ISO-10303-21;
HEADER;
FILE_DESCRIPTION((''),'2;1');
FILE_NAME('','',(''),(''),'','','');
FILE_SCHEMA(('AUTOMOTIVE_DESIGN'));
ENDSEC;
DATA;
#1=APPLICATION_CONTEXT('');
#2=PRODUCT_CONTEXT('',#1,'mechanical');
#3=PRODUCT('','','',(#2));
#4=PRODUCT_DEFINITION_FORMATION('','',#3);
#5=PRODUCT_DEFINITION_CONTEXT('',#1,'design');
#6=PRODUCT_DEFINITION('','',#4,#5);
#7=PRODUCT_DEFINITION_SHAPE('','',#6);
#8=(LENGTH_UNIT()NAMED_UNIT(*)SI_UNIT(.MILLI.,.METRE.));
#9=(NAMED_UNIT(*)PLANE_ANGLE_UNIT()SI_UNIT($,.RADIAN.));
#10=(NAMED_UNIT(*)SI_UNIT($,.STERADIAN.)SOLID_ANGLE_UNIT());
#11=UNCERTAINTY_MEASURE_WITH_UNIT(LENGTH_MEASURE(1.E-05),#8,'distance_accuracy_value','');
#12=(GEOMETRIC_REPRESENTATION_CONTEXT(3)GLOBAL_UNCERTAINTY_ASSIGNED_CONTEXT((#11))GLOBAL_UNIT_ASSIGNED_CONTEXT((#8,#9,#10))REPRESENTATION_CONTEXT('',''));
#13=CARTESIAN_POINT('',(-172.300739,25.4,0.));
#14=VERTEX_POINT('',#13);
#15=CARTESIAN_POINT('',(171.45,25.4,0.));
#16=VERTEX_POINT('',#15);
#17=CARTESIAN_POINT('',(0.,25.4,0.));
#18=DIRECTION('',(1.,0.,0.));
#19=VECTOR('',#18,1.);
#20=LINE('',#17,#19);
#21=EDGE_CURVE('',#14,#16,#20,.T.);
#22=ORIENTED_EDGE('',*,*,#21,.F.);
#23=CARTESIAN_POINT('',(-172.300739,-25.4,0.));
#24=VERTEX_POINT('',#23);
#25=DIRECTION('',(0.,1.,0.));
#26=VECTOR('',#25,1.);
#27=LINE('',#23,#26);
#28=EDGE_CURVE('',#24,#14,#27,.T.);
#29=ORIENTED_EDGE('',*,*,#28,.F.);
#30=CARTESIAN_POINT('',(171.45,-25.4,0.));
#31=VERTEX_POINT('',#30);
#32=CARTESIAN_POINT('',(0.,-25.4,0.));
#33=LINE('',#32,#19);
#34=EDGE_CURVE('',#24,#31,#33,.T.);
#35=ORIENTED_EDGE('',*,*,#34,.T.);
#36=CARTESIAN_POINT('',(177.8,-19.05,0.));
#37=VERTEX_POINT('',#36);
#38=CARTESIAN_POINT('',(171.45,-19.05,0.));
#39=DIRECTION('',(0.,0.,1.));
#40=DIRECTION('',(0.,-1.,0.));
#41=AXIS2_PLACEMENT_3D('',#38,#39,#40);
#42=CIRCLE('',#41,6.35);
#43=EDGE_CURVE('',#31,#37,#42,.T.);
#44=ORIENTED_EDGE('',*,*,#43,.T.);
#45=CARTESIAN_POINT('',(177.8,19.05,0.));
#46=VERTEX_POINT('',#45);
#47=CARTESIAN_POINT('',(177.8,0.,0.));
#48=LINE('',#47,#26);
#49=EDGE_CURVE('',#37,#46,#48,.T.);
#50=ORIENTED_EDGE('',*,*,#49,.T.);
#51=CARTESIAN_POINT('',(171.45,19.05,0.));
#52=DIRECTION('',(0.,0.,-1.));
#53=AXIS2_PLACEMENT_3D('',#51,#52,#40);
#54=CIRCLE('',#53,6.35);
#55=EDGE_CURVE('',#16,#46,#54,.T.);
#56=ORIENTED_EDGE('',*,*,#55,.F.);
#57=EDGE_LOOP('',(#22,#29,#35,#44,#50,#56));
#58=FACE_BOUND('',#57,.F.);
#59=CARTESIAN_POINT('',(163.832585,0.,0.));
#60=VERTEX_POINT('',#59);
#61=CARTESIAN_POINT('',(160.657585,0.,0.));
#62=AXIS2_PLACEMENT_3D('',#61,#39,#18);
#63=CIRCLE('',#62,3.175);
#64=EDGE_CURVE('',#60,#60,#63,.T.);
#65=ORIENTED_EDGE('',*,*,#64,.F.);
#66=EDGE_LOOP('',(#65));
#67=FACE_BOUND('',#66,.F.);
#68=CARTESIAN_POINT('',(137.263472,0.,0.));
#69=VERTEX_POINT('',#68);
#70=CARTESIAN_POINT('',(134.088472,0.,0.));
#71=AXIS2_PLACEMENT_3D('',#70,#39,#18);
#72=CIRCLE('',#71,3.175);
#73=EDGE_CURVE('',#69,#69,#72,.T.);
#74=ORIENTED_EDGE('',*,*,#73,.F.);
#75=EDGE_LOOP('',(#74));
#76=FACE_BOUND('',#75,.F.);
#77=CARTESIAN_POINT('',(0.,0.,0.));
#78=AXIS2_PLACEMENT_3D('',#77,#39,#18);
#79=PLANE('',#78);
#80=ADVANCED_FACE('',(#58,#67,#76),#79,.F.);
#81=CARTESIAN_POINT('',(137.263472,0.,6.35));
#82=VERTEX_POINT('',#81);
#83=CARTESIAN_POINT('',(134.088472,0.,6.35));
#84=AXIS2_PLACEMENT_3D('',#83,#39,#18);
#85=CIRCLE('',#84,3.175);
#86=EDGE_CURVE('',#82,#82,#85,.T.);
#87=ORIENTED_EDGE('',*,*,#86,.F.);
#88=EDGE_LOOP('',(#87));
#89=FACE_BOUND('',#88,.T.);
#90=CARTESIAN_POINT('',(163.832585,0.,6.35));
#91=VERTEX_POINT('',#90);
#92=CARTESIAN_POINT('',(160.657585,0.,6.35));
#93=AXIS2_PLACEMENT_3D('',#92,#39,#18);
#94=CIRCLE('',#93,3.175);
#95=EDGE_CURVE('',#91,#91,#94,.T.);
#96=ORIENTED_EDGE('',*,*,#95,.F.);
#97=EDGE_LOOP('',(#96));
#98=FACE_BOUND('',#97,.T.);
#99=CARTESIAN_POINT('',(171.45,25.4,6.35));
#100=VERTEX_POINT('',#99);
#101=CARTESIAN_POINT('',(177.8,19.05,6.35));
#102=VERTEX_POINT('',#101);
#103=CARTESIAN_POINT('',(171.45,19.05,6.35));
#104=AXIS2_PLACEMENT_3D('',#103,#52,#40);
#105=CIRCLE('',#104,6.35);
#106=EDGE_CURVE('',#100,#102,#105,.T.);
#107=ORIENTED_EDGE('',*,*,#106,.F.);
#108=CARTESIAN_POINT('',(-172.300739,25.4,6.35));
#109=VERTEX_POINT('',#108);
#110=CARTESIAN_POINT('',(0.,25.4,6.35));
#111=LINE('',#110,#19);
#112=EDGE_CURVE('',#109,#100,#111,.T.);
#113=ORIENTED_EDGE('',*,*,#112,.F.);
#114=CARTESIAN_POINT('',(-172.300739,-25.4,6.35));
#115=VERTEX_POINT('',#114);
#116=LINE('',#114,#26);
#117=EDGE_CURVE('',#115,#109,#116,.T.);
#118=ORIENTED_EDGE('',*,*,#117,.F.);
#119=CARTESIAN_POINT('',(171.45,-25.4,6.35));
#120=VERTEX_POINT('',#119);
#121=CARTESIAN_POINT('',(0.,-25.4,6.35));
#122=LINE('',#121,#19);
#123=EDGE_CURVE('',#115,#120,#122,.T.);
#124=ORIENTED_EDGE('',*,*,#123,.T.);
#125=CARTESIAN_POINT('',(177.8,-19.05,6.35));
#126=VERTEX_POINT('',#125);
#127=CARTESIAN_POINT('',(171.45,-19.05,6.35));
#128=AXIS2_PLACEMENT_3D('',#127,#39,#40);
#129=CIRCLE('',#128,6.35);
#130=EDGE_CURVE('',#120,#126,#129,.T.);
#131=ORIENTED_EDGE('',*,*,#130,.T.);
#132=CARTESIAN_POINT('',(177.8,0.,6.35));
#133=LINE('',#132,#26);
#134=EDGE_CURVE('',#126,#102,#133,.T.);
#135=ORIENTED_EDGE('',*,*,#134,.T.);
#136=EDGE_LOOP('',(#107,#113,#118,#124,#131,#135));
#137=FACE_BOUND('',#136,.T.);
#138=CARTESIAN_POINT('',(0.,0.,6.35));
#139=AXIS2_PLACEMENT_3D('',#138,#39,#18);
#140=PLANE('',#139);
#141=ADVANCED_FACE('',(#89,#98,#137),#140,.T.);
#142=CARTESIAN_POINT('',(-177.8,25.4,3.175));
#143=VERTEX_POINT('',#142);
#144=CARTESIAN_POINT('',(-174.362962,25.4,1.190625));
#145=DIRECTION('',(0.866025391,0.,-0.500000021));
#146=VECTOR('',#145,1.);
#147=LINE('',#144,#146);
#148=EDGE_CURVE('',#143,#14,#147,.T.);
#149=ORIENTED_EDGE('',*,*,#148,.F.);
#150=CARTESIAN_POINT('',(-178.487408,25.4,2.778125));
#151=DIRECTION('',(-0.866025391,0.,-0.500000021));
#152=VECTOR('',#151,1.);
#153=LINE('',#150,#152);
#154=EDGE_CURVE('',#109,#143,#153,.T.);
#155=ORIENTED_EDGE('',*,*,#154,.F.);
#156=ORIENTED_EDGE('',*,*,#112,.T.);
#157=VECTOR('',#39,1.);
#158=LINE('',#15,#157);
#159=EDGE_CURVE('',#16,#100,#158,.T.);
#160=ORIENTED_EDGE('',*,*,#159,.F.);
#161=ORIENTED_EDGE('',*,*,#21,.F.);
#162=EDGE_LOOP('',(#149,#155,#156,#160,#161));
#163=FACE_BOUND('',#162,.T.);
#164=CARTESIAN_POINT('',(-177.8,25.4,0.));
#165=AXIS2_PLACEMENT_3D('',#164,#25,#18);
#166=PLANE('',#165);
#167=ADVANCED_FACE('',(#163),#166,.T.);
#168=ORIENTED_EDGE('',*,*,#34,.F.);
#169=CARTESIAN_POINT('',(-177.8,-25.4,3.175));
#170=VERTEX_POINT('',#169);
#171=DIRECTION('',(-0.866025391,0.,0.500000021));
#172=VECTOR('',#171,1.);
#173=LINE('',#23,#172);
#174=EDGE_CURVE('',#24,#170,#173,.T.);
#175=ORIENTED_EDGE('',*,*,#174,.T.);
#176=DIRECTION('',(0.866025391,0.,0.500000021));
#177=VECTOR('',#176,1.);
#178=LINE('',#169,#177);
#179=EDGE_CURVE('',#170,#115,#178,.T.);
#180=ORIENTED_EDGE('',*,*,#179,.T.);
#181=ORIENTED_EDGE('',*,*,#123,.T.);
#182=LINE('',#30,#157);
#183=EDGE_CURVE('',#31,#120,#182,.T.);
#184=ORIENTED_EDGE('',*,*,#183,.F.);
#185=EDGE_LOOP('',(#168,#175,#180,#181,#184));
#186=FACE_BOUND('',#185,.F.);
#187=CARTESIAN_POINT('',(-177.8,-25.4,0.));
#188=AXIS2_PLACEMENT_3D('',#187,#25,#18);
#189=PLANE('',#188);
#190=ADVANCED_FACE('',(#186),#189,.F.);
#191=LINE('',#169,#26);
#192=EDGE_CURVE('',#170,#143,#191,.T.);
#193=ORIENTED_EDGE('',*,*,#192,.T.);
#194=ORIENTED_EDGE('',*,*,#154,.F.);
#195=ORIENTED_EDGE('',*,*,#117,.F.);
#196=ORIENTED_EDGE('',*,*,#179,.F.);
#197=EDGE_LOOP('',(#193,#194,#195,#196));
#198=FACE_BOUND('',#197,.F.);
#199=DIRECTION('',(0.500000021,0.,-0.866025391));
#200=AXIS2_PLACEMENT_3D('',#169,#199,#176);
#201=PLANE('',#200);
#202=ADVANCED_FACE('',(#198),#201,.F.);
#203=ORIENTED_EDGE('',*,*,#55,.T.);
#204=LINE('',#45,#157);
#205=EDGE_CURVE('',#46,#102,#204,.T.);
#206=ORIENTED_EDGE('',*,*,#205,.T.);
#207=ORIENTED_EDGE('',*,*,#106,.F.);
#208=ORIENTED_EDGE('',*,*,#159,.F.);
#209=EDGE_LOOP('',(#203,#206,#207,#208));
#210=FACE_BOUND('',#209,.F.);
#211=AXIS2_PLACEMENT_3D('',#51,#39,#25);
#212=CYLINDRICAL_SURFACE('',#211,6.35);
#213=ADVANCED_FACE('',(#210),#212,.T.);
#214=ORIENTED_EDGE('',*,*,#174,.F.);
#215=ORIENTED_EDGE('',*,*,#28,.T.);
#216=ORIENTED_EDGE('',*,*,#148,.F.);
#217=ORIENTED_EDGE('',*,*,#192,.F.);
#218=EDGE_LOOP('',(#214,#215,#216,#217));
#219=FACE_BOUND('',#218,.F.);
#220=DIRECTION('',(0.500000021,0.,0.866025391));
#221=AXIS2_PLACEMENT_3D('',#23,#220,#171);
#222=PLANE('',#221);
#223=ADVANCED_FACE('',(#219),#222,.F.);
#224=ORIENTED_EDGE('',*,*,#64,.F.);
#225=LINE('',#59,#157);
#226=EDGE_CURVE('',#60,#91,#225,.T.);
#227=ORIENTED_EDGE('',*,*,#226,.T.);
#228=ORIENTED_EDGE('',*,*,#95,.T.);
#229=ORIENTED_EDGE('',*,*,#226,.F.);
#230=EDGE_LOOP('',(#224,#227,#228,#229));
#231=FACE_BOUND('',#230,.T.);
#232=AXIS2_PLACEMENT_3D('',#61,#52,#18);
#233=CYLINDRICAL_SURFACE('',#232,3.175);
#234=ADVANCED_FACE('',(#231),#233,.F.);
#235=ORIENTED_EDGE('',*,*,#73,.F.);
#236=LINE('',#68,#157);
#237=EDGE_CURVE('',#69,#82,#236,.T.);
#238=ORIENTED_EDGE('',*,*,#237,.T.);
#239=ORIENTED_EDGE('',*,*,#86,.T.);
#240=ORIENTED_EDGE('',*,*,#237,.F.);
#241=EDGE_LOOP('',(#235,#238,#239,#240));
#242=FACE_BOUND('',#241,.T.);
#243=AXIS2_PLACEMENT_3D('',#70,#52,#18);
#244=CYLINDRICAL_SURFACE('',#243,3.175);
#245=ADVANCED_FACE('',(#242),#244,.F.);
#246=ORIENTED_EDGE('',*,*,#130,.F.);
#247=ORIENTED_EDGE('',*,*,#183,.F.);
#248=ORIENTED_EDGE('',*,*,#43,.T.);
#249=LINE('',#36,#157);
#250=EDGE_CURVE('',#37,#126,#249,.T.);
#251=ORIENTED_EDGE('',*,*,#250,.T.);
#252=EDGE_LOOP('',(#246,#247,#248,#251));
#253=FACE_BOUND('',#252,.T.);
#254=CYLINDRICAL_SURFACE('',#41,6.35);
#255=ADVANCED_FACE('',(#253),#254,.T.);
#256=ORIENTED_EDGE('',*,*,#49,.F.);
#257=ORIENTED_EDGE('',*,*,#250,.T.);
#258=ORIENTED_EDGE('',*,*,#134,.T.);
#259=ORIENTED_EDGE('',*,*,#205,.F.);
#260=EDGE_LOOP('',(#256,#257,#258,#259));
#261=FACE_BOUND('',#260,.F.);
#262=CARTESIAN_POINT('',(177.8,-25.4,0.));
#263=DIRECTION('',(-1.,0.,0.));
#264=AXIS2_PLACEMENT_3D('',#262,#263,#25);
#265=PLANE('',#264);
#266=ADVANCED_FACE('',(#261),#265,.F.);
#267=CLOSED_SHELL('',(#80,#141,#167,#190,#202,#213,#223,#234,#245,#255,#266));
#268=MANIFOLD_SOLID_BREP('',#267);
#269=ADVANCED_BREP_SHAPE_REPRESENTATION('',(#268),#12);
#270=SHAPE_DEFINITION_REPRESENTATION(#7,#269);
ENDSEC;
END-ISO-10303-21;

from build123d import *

# Parameters (mm, degrees)
F0_W     = 355.6
F0_H     = 50.8
F0_R     = 3.175
F1_DEPTH = 6.35
F2_R     = 6.35
F4_DEPTH = 50.801


with BuildPart() as f1:
    # F0 (on Top) → F1 (new body)
    with BuildSketch(Plane.XY):
        Rectangle(F0_W, F0_H)
        with Locations((134.088472, 0)):
            Circle(F0_R, mode=Mode.SUBTRACT)
        with Locations((160.657585, 0)):
            Circle(F0_R, mode=Mode.SUBTRACT)
    extrude(amount=F1_DEPTH)

    # F2
    f2_edges = [f1.edges().sort_by_distance(p)[0] for p in [
        (177.8, -25.4, 3.175),
        (177.8, 25.4, 3.175),
    ]]
    fillet(f2_edges, radius=F2_R)

    # F3 (on face) → F4 (cut, through all)
    with BuildSketch(Plane.XZ.offset(25.4)):
        Polygon((-177.8, 6.35), (-177.8, 3.175), (-172.300739, 6.35), align=None)
        Polygon((-172.300739, 0), (-177.8, 3.175), (-177.8, 0), align=None)
    extrude(amount=-F4_DEPTH, mode=Mode.SUBTRACT)


solid = f1.part
